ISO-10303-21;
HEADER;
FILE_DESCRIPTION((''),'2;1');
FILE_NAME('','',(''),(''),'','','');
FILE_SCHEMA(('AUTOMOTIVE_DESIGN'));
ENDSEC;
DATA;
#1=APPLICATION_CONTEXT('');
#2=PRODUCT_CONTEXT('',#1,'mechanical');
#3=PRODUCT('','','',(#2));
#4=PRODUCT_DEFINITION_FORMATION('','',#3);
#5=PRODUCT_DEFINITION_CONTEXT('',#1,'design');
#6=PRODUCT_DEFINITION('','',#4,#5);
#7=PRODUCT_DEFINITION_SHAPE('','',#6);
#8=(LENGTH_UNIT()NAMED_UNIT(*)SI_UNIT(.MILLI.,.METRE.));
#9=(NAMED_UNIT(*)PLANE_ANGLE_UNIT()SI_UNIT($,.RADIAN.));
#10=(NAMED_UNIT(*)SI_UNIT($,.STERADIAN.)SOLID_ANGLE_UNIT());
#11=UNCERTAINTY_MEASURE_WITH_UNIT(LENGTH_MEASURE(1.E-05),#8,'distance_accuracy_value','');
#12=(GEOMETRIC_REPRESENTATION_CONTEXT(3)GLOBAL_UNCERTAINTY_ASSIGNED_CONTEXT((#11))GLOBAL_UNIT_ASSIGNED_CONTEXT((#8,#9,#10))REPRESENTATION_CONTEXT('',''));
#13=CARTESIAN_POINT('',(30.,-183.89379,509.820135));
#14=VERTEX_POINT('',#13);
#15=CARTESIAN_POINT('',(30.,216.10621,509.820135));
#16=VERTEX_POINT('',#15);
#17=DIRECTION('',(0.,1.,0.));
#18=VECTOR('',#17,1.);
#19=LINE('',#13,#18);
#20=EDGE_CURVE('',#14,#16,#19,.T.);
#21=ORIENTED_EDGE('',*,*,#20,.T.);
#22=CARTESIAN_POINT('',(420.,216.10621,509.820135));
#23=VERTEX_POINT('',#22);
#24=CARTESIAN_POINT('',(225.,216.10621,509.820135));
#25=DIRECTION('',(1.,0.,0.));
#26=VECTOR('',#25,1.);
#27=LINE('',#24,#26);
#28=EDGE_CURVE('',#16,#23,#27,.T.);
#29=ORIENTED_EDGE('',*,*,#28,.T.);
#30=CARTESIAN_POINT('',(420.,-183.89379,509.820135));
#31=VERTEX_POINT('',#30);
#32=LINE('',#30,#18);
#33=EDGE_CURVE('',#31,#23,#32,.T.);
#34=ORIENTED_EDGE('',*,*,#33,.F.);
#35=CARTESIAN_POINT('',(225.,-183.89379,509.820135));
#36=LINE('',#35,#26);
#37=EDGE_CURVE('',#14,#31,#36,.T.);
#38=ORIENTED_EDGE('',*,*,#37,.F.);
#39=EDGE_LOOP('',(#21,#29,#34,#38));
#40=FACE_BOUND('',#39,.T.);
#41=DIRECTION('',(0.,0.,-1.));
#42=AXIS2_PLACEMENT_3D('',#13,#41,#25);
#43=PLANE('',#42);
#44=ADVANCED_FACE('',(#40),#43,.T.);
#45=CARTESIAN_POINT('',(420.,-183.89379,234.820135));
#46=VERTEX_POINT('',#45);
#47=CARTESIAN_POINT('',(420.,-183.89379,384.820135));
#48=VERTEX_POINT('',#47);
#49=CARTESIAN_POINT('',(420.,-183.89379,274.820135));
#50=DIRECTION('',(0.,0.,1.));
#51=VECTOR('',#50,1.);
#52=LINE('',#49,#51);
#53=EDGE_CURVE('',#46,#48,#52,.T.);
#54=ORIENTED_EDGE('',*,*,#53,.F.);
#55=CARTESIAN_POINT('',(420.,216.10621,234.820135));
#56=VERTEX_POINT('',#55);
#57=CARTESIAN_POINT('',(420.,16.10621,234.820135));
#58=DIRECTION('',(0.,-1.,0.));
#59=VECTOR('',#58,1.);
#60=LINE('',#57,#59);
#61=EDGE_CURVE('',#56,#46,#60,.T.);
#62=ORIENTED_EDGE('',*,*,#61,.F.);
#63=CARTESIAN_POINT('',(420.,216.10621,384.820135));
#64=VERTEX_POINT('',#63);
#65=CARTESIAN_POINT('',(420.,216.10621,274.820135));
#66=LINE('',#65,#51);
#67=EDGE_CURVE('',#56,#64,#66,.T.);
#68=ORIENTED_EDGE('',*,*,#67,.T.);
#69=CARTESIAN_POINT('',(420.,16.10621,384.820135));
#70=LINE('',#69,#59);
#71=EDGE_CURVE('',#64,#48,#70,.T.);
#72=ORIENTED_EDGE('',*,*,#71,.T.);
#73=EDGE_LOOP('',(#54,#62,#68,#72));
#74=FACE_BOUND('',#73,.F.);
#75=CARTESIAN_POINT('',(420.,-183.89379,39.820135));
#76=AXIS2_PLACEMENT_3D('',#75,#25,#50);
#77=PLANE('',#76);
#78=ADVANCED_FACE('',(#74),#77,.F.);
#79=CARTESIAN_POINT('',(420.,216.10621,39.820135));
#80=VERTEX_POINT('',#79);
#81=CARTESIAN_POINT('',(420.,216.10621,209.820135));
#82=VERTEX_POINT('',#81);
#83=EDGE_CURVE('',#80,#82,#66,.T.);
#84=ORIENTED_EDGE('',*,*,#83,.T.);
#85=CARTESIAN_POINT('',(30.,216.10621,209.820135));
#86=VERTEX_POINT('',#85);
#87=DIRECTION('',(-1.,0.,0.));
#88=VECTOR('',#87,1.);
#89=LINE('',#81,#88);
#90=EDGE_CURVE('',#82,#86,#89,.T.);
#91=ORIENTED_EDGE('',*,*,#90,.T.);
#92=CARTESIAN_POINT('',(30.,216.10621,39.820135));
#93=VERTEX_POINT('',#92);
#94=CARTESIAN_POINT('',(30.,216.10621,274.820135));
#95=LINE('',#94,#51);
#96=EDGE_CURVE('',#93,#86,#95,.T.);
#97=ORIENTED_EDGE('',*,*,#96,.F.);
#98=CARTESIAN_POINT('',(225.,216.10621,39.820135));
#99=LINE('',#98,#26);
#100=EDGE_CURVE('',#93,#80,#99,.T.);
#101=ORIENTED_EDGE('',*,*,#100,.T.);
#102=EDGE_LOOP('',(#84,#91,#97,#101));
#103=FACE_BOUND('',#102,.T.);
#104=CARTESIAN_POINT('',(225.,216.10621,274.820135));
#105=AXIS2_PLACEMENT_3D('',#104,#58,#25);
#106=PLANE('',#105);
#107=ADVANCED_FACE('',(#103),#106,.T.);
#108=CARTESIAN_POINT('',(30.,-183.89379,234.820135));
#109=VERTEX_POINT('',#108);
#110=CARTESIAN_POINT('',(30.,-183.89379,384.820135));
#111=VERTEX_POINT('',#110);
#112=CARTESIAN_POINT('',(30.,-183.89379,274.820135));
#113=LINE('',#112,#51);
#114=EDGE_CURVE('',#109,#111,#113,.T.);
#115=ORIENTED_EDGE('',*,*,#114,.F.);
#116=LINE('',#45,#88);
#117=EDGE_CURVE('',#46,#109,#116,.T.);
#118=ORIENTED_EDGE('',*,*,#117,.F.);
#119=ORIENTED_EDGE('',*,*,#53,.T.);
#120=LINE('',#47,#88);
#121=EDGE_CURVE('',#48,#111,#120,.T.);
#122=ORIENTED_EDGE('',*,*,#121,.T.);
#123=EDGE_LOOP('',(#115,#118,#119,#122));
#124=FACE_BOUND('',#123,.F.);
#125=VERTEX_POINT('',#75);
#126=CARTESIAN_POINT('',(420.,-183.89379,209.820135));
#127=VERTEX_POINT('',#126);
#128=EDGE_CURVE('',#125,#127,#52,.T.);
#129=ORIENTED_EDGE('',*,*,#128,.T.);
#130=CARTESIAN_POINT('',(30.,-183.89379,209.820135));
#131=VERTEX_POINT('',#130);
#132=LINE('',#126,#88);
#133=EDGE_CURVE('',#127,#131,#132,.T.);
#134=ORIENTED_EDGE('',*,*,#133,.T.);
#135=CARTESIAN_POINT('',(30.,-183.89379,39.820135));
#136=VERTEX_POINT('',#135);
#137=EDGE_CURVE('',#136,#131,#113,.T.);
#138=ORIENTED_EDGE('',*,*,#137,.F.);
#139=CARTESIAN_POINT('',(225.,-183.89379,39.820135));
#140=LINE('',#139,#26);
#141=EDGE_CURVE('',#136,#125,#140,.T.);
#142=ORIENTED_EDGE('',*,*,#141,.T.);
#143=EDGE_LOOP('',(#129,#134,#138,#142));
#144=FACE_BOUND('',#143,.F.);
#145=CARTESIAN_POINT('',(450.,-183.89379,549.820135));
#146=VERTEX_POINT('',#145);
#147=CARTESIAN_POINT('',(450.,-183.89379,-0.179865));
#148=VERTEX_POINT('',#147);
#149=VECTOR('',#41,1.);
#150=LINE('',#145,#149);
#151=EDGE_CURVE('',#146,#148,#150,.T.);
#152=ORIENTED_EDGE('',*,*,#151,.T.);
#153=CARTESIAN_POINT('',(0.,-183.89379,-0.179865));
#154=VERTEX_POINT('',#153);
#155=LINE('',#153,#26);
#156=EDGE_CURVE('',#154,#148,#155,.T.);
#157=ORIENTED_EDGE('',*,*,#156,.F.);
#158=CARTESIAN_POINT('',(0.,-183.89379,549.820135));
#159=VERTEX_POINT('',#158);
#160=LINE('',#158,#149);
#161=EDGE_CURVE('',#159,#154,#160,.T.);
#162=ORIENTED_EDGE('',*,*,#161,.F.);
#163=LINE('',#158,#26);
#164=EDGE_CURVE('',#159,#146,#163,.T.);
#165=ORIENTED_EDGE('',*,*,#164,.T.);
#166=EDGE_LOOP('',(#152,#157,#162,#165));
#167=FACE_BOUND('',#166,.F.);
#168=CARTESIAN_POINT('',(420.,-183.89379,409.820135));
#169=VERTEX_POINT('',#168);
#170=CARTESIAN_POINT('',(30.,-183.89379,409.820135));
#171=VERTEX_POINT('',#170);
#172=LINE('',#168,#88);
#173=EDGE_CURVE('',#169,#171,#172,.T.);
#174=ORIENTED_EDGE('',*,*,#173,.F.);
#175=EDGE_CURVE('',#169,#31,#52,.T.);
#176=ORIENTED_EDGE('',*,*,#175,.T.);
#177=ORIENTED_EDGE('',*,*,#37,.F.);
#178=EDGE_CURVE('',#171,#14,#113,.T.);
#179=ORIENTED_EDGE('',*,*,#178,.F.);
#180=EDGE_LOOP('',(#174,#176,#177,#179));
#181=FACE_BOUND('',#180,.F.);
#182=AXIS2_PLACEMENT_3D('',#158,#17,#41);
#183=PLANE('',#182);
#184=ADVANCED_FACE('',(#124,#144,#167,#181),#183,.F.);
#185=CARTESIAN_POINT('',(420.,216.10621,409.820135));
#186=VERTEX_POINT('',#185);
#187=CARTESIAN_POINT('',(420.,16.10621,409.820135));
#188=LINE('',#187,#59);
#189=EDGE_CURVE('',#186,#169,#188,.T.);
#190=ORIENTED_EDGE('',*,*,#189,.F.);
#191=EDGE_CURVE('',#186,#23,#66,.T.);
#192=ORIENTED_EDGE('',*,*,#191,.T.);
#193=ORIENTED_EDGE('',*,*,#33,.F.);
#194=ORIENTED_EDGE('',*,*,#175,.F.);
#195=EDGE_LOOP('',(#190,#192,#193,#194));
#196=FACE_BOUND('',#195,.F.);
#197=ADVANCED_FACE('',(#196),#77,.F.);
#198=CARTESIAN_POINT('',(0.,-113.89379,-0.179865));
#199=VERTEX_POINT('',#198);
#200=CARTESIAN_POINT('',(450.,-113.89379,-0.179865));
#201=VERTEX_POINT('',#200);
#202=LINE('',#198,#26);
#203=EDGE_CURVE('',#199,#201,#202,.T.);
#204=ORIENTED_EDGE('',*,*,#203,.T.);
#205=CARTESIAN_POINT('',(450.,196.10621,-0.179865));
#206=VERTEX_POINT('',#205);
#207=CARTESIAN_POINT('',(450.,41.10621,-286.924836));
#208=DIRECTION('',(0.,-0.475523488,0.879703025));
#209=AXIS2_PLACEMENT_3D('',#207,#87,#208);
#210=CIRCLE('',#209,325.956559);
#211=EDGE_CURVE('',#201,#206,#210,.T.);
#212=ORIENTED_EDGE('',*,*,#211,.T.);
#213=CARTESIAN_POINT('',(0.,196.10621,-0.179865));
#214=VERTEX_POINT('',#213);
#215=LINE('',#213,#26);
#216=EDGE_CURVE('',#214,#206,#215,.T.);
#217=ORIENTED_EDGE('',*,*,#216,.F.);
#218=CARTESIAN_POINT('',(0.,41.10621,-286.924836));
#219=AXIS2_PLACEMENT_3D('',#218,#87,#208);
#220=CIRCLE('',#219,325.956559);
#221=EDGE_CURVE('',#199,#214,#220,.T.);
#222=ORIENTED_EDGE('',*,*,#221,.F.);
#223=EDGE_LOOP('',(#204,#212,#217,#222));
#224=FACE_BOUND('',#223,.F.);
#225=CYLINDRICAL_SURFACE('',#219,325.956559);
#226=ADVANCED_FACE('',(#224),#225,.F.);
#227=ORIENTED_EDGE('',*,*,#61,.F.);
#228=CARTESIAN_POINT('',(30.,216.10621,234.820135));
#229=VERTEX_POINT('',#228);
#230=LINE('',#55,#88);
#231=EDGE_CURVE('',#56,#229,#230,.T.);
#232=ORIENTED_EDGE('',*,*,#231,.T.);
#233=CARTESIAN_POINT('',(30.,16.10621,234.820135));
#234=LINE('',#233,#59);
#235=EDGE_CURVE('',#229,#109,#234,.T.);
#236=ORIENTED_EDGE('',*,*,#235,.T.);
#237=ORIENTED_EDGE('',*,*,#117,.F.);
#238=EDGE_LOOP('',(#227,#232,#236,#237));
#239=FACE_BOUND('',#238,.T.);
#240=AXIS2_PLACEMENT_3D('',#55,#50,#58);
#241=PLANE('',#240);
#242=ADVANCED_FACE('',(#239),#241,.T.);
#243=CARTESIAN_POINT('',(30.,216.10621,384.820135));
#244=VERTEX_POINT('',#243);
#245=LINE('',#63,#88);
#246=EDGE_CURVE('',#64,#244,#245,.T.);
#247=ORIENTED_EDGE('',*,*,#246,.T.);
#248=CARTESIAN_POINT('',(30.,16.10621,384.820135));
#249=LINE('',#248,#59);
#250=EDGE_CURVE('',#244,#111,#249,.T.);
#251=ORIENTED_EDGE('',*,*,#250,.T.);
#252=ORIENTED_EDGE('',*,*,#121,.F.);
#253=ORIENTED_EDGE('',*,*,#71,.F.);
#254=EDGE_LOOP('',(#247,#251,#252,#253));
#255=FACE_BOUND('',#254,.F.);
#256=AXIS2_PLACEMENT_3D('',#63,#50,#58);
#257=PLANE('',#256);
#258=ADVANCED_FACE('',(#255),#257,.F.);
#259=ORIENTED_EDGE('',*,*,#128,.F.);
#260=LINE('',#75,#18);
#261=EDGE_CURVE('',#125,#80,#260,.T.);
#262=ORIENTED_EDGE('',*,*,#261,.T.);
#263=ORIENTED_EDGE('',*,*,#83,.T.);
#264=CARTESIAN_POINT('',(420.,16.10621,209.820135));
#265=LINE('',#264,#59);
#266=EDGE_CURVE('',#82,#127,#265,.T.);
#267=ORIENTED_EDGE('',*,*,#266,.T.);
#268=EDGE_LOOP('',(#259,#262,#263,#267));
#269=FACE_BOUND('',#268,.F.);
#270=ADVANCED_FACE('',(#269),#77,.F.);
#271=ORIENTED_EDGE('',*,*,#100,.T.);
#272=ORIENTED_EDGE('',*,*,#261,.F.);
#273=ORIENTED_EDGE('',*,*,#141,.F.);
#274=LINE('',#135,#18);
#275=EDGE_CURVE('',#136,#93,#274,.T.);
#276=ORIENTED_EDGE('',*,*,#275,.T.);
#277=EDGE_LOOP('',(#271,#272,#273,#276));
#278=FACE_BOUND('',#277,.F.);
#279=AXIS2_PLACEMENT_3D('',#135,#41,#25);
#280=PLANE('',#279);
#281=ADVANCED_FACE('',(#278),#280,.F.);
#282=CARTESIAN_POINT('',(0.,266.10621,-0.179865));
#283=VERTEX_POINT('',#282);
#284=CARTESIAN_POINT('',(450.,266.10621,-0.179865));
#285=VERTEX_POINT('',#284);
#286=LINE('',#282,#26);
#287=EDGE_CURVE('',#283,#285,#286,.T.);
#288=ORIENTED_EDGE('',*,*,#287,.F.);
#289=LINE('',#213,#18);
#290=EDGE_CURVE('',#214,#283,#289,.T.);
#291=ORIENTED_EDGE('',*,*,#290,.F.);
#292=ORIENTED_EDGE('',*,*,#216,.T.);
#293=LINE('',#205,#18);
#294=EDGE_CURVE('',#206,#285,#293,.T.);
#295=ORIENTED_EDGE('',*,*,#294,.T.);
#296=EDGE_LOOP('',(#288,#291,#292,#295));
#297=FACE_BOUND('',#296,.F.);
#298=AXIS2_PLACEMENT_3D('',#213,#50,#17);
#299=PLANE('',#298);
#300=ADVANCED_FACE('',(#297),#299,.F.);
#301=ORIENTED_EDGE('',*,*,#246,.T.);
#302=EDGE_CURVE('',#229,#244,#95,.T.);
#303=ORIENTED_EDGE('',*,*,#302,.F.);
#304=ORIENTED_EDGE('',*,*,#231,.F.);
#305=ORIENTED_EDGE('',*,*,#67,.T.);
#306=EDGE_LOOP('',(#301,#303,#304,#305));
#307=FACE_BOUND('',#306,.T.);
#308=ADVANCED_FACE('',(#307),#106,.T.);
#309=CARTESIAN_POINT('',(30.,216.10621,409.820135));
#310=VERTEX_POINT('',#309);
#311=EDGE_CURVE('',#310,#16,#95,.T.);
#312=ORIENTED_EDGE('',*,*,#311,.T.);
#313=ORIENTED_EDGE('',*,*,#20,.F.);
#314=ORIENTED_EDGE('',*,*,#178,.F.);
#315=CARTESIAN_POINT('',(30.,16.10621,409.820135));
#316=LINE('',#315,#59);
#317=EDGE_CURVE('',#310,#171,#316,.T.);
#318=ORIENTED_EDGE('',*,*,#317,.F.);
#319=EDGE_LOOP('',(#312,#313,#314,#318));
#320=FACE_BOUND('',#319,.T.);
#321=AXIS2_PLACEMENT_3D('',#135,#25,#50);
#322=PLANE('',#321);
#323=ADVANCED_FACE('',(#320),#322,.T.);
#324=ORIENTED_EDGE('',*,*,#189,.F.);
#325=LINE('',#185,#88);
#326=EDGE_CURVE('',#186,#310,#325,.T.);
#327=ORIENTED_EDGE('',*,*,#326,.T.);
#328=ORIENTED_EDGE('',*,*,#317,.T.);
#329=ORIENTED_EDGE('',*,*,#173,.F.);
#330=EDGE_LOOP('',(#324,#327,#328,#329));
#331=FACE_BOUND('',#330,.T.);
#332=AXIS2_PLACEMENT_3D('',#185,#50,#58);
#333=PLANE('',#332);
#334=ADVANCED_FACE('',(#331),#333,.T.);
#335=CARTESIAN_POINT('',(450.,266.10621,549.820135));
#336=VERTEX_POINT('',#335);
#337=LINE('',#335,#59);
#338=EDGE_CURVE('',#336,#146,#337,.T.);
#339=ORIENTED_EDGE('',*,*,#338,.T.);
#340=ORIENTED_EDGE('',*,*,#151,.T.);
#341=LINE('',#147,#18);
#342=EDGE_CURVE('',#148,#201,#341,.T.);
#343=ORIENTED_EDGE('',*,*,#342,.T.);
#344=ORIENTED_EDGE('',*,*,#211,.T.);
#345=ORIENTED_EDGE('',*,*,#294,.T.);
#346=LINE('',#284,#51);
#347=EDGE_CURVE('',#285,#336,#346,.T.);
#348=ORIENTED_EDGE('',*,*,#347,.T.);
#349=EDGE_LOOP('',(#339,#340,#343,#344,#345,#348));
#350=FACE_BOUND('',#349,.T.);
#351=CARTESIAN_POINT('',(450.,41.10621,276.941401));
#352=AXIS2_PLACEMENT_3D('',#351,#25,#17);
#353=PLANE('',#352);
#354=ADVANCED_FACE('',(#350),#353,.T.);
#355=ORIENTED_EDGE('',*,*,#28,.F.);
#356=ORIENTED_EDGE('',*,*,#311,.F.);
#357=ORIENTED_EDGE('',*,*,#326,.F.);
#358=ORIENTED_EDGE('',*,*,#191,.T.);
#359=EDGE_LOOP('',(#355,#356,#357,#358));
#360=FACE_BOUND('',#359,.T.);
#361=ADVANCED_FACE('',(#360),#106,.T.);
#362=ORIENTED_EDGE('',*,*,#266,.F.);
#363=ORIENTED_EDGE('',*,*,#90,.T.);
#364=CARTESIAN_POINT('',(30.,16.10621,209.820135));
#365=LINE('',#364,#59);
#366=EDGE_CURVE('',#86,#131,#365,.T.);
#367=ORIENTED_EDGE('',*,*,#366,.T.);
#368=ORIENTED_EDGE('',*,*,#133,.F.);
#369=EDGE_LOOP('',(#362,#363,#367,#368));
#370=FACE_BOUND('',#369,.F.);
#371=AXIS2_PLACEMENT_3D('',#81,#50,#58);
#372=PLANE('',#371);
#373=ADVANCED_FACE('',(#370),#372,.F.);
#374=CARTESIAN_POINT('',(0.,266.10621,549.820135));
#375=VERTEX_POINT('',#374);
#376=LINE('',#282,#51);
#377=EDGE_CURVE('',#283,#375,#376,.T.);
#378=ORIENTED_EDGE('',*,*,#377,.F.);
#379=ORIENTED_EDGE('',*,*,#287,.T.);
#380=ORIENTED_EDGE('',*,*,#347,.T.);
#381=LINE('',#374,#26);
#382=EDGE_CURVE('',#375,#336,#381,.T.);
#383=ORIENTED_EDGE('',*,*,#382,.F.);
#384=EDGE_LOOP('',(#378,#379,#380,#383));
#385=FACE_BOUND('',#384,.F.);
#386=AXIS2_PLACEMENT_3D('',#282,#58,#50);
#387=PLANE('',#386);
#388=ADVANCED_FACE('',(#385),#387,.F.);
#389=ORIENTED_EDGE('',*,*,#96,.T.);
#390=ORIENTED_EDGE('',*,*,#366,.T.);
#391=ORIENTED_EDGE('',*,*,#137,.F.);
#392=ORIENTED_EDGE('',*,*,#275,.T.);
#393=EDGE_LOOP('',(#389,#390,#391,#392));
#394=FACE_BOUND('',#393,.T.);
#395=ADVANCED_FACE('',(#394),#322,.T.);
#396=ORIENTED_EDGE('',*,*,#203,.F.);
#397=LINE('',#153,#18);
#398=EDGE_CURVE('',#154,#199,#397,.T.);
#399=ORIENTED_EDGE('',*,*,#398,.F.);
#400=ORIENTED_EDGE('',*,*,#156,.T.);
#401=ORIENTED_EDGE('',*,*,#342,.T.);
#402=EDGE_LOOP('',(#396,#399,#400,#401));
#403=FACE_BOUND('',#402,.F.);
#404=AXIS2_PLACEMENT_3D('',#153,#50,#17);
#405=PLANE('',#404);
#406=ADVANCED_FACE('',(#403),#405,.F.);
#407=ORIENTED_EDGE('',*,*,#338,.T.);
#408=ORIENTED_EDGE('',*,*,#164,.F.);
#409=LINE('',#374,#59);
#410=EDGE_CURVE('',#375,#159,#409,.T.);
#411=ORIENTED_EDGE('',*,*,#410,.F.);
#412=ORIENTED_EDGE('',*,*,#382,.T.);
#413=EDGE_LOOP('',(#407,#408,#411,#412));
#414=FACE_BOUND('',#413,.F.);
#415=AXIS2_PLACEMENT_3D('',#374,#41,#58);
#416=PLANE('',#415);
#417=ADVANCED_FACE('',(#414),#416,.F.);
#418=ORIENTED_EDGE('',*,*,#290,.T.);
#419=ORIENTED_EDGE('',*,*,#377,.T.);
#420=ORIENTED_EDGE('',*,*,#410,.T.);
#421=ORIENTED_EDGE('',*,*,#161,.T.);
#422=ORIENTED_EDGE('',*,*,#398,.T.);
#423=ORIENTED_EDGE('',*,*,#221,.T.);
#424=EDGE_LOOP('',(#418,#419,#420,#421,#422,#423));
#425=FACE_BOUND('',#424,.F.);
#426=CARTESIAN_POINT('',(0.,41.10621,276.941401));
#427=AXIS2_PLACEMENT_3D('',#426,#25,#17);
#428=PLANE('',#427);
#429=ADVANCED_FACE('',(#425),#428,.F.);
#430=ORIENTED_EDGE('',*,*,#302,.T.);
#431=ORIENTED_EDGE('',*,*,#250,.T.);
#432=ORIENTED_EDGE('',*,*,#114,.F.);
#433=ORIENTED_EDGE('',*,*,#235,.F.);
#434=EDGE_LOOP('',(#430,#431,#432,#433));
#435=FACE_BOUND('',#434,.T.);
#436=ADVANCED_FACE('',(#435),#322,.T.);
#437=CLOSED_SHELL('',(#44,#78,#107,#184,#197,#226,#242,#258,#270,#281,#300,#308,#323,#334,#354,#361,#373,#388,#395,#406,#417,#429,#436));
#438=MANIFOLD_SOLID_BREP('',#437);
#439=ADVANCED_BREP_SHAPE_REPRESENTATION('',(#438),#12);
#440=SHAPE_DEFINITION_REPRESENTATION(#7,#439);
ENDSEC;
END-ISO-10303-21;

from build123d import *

# Parameters (mm, degrees)
F1_DEPTH = 450
F2_W     = 390
F2_H     = 470
F3_DEPTH = 400
F4_W     = 400
F4_H     = 25
F5_DEPTH = 390
F6_W     = 400
F6_H     = 25
F7_DEPTH = 390


with BuildPart() as f1:
    # F0 (on Right) → F1 (new body)
    with BuildSketch(Plane.YZ):
        with BuildLine():
            Line((266.10621, -0.179865), (266.10621, 549.820135))
            Line((266.10621, 549.820135), (-183.89379, 549.820135))
            Line((-183.89379, 549.820135), (-183.89379, -0.179865))
            Line((-183.89379, -0.179865), (-113.89379, -0.179865))
            ThreePointArc((-113.89379, -0.179865), (41.10621, 39.031723), (196.10621, -0.179865))
            Line((196.10621, -0.179865), (266.10621, -0.179865))
        make_face()
    extrude(amount=F1_DEPTH)

    # F2 (on face) → F3 (cut)
    with BuildSketch(Plane.XZ.offset(183.89379)):
        with Locations((225, 274.820135)):
            Rectangle(F2_W, F2_H)
    extrude(amount=-F3_DEPTH, mode=Mode.SUBTRACT)

    # F4 (on face) → F5 (join)
    with BuildSketch(Plane(origin=(420, 0, 0), x_dir=(0, -1, 0), z_dir=(-1, 0, 0))):
        with Locations((-16.10621, 397.320135)):
            Rectangle(F4_W, F4_H)
    extrude(amount=F5_DEPTH)

    # F6 (on face) → F7 (join)
    with BuildSketch(Plane(origin=(420, 0, 0), x_dir=(0, -1, 0), z_dir=(-1, 0, 0))):
        with Locations((-16.10621, 222.320135)):
            Rectangle(F6_W, F6_H)
    extrude(amount=F7_DEPTH)


solid = f1.part
